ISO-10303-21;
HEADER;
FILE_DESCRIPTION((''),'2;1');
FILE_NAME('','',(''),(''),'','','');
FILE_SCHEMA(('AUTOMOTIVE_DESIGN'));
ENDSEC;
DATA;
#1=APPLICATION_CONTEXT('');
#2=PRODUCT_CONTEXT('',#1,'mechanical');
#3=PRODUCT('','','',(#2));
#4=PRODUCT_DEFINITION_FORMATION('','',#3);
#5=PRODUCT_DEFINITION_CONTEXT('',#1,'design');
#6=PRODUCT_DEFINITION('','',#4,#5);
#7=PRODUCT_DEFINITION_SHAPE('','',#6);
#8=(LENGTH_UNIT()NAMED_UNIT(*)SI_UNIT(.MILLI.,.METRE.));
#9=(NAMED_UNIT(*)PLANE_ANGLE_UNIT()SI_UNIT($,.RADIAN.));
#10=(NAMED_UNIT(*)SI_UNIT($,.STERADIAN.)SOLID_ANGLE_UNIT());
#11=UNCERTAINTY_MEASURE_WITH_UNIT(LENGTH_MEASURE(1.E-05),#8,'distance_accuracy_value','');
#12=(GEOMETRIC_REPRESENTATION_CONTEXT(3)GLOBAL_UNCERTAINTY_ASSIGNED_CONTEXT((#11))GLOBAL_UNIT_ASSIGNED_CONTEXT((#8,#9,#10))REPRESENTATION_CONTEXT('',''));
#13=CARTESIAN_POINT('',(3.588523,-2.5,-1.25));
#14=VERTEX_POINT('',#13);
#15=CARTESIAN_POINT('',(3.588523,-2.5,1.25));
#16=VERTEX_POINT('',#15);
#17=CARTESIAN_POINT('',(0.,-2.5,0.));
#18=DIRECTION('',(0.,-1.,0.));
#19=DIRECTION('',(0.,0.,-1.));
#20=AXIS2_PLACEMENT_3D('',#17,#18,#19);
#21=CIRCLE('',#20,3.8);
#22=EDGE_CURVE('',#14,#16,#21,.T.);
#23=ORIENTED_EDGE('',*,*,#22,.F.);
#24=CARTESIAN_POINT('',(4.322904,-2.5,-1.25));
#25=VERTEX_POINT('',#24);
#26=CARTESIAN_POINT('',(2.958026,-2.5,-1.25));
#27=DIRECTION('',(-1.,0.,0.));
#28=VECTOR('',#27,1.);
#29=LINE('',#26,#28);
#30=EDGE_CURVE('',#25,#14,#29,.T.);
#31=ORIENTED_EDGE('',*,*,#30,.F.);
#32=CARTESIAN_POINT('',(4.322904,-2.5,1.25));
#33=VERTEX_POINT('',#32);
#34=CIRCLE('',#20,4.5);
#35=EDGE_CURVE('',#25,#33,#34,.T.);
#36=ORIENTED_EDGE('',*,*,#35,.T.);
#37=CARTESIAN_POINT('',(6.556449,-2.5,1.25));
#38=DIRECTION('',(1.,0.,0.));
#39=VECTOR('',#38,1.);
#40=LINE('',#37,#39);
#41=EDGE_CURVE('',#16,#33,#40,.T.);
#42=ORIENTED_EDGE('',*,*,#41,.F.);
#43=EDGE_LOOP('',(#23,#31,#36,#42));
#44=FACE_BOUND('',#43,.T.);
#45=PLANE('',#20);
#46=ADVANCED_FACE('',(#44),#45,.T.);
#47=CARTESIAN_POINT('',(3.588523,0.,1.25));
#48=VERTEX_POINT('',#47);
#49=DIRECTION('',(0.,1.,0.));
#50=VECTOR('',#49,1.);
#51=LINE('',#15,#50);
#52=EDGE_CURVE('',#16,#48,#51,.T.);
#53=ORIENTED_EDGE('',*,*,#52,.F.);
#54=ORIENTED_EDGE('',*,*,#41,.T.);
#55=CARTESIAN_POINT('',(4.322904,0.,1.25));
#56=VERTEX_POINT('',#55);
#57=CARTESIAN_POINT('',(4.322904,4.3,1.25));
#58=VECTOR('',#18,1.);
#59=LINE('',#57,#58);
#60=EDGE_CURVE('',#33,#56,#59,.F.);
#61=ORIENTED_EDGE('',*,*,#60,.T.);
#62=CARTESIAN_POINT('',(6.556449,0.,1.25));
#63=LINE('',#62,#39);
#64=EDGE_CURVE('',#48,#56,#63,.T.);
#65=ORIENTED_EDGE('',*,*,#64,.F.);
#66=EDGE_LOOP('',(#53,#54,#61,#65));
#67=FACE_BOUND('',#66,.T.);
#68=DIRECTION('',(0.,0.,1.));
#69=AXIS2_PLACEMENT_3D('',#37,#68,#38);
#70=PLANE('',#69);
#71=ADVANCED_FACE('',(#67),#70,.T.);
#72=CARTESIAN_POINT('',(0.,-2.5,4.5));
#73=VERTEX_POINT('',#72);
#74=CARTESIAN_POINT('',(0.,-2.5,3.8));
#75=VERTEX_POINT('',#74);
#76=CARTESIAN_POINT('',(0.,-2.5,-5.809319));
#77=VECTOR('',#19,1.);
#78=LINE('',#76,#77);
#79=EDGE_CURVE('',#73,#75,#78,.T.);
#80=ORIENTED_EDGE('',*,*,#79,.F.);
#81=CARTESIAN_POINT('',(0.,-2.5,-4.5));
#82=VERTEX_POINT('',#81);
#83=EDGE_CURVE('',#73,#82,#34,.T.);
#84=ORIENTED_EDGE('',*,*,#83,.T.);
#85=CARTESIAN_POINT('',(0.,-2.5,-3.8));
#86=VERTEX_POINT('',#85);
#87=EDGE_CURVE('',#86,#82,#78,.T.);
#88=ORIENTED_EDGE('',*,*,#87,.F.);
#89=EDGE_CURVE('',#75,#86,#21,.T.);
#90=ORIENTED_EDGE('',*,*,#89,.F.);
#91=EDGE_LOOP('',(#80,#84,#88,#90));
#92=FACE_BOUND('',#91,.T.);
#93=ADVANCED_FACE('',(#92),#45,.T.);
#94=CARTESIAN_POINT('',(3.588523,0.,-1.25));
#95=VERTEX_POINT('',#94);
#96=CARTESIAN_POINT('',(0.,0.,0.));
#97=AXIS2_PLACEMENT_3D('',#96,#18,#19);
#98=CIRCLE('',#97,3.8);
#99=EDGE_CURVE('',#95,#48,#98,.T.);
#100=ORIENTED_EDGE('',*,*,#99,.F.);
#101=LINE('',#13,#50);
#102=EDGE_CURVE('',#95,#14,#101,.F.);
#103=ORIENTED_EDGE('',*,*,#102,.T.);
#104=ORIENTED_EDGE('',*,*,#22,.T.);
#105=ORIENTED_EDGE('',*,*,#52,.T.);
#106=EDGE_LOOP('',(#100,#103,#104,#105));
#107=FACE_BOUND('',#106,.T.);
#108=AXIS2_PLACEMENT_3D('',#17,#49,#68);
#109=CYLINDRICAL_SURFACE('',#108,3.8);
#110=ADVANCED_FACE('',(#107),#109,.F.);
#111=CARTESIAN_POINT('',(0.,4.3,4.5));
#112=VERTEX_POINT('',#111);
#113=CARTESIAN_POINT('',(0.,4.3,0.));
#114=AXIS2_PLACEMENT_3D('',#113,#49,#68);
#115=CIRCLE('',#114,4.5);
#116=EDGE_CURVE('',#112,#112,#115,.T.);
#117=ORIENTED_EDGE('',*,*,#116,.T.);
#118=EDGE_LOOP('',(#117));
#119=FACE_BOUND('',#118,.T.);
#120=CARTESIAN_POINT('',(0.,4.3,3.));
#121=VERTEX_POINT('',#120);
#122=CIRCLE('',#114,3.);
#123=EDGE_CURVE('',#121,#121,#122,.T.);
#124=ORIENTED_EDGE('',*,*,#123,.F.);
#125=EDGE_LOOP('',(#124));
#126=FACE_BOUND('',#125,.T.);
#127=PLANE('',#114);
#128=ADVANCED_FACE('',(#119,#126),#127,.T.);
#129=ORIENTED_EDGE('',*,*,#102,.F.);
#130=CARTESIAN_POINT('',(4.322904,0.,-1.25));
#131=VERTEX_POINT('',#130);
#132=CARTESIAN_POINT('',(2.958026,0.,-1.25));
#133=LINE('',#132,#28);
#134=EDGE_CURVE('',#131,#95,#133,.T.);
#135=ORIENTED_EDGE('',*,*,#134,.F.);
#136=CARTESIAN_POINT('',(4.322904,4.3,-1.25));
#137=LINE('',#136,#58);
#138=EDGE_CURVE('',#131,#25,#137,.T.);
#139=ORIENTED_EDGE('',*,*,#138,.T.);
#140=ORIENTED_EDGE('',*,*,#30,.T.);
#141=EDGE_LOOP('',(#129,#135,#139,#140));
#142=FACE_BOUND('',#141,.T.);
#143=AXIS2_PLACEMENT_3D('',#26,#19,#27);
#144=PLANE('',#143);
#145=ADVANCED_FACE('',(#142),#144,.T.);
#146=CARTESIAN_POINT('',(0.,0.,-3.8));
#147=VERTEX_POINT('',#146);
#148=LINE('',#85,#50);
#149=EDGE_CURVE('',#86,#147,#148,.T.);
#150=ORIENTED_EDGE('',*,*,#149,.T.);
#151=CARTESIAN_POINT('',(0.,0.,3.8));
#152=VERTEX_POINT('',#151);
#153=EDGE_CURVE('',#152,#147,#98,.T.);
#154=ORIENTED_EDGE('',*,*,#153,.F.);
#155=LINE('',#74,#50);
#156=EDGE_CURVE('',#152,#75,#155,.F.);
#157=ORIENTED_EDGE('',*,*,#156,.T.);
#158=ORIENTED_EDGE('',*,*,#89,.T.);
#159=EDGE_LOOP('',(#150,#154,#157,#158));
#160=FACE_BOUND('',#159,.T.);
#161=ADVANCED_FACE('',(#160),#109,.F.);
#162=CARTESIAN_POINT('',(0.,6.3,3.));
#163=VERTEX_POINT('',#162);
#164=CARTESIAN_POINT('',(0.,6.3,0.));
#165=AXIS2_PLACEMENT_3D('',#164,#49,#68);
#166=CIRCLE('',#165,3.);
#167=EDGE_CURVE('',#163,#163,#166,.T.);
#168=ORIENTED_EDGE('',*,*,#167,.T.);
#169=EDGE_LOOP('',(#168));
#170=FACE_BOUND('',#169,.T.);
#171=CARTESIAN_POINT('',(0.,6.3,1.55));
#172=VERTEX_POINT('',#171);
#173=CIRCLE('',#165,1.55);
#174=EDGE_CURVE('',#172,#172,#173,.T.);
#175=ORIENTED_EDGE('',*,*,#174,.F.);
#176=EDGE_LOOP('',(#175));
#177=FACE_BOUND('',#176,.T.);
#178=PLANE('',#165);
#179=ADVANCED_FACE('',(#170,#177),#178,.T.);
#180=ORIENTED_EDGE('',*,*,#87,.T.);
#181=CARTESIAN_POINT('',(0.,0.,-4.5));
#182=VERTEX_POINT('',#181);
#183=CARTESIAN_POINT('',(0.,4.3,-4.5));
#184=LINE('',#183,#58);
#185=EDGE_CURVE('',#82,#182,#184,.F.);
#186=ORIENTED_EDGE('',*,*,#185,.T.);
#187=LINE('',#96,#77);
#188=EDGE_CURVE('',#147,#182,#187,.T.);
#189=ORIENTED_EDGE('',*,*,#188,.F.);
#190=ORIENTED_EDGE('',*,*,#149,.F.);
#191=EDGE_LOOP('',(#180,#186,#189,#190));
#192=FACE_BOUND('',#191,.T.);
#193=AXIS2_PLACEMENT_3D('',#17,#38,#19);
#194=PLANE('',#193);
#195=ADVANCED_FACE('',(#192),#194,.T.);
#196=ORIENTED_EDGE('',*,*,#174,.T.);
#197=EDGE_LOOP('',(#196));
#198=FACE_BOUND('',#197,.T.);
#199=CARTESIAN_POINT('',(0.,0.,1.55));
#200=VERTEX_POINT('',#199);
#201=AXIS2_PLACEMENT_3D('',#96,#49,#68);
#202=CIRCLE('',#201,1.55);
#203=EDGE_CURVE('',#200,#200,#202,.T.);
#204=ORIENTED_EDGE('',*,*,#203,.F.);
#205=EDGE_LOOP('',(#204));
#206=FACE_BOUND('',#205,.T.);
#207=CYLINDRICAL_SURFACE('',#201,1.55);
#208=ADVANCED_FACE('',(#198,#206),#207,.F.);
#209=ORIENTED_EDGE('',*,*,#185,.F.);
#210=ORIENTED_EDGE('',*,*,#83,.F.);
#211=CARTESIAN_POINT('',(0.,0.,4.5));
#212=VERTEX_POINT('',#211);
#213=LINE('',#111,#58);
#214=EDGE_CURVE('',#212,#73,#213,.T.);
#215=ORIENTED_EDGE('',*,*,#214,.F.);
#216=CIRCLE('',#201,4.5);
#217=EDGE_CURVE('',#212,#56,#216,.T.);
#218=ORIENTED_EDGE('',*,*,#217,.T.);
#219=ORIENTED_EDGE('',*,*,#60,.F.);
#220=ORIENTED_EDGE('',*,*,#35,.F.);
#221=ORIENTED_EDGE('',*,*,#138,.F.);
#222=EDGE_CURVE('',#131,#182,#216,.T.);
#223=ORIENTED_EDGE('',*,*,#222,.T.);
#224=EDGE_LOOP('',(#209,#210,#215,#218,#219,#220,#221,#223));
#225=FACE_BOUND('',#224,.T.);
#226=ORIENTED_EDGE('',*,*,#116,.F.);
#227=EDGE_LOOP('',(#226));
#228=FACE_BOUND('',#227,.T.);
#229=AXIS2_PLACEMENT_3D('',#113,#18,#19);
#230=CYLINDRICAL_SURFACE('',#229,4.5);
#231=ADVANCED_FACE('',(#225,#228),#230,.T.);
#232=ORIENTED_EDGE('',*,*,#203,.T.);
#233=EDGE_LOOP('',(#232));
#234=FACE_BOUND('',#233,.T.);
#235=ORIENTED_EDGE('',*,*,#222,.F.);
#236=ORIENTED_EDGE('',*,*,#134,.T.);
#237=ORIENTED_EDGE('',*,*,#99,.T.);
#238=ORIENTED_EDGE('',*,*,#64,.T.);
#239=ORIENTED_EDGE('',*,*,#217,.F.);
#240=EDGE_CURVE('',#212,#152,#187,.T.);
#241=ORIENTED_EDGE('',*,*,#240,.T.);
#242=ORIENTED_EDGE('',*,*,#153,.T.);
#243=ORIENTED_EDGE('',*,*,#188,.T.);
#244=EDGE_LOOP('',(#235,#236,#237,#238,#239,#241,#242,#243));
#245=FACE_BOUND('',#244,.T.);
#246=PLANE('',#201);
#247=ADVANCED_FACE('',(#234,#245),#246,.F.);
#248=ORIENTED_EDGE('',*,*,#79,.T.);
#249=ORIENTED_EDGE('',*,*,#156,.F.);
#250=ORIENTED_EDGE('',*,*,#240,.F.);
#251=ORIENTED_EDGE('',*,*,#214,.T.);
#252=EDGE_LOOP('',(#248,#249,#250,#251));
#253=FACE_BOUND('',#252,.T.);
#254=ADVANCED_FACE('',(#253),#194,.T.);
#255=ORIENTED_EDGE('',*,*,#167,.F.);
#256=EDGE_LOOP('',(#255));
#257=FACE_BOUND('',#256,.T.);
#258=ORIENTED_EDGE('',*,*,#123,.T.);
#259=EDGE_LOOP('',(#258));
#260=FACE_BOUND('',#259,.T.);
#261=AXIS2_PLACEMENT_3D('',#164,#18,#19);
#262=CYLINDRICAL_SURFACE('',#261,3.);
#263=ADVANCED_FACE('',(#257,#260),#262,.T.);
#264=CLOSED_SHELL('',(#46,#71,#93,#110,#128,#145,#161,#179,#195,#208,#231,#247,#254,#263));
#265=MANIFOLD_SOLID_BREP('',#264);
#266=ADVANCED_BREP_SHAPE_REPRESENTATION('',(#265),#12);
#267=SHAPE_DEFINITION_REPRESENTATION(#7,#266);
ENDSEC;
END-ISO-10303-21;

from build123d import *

# Parameters (mm, degrees)
SKETCH1_R           = 4.5
BOSS_EXTRUDE1_DEPTH = 4.3
SKETCH2_R           = 3
BOSS_EXTRUDE2_DEPTH = 2
SKETCH3_R           = 1.55
CUT_EXTRUDE1_DEPTH  = 9.954886934
BOSS_EXTRUDE3_START = 2.5
SKETCH4_R           = 4.5
SKETCH4_R_2         = 3.8
BOSS_EXTRUDE3_DEPTH = 2.5
CUT_EXTRUDE2_DEPTH  = 9.954886934


with BuildPart() as part:
    # Sketch1 → Boss-Extrude1 (new body)
    with BuildSketch(Plane(origin=(0, 0, 0), x_dir=(1, 0, 0), z_dir=(0, 1, 0))):
        with Locations(Location((0, 0, 0), (0, 0, 90))):
            Circle(SKETCH1_R)
    extrude(amount=BOSS_EXTRUDE1_DEPTH)

    # Sketch2 → Boss-Extrude2 (add)
    with BuildSketch(Plane(origin=(0, 4.3, 0), x_dir=(1, 0, 0), z_dir=(0, 1, 0))):
        with Locations(Location((0, 0, 0), (0, 0, 270))):
            Circle(SKETCH2_R)
    extrude(amount=BOSS_EXTRUDE2_DEPTH)

    # Sketch3 → Cut-Extrude1 (cut, through all)
    with BuildSketch(Plane(origin=(0, 6.3, 0), x_dir=(1, 0, 0), z_dir=(0, 1, 0))):
        with Locations(Location((0, 0, 0), (0, 0, 270))):
            Circle(SKETCH3_R)
    extrude(amount=-CUT_EXTRUDE1_DEPTH, mode=Mode.SUBTRACT)

    # Sketch4 → Boss-Extrude3 (add)
    with BuildSketch(Plane.XZ.offset(BOSS_EXTRUDE3_START)):
        with Locations(Location((0, 0, 0), (0, 0, 270))):
            Circle(SKETCH4_R)
        with Locations(Location((0, 0, 0), (0, 0, 270))):
            Circle(SKETCH4_R_2, mode=Mode.SUBTRACT)
    extrude(amount=-BOSS_EXTRUDE3_DEPTH)

    # Sketch5 → Cut-Extrude2 (cut, through all)
    with BuildSketch(Plane.XZ):
        Polygon((0, 0), (0, 5.809318517), (6.55644872, 5.809318517), (6.55644872, 1.25), (2.958025702, 1.25), (2.958025702, -1.25), (6.55644872, -1.25), (6.55644872, -5.809318517), (0, -5.809318517), align=None)
    extrude(amount=CUT_EXTRUDE2_DEPTH, mode=Mode.SUBTRACT)


solid = part.part
